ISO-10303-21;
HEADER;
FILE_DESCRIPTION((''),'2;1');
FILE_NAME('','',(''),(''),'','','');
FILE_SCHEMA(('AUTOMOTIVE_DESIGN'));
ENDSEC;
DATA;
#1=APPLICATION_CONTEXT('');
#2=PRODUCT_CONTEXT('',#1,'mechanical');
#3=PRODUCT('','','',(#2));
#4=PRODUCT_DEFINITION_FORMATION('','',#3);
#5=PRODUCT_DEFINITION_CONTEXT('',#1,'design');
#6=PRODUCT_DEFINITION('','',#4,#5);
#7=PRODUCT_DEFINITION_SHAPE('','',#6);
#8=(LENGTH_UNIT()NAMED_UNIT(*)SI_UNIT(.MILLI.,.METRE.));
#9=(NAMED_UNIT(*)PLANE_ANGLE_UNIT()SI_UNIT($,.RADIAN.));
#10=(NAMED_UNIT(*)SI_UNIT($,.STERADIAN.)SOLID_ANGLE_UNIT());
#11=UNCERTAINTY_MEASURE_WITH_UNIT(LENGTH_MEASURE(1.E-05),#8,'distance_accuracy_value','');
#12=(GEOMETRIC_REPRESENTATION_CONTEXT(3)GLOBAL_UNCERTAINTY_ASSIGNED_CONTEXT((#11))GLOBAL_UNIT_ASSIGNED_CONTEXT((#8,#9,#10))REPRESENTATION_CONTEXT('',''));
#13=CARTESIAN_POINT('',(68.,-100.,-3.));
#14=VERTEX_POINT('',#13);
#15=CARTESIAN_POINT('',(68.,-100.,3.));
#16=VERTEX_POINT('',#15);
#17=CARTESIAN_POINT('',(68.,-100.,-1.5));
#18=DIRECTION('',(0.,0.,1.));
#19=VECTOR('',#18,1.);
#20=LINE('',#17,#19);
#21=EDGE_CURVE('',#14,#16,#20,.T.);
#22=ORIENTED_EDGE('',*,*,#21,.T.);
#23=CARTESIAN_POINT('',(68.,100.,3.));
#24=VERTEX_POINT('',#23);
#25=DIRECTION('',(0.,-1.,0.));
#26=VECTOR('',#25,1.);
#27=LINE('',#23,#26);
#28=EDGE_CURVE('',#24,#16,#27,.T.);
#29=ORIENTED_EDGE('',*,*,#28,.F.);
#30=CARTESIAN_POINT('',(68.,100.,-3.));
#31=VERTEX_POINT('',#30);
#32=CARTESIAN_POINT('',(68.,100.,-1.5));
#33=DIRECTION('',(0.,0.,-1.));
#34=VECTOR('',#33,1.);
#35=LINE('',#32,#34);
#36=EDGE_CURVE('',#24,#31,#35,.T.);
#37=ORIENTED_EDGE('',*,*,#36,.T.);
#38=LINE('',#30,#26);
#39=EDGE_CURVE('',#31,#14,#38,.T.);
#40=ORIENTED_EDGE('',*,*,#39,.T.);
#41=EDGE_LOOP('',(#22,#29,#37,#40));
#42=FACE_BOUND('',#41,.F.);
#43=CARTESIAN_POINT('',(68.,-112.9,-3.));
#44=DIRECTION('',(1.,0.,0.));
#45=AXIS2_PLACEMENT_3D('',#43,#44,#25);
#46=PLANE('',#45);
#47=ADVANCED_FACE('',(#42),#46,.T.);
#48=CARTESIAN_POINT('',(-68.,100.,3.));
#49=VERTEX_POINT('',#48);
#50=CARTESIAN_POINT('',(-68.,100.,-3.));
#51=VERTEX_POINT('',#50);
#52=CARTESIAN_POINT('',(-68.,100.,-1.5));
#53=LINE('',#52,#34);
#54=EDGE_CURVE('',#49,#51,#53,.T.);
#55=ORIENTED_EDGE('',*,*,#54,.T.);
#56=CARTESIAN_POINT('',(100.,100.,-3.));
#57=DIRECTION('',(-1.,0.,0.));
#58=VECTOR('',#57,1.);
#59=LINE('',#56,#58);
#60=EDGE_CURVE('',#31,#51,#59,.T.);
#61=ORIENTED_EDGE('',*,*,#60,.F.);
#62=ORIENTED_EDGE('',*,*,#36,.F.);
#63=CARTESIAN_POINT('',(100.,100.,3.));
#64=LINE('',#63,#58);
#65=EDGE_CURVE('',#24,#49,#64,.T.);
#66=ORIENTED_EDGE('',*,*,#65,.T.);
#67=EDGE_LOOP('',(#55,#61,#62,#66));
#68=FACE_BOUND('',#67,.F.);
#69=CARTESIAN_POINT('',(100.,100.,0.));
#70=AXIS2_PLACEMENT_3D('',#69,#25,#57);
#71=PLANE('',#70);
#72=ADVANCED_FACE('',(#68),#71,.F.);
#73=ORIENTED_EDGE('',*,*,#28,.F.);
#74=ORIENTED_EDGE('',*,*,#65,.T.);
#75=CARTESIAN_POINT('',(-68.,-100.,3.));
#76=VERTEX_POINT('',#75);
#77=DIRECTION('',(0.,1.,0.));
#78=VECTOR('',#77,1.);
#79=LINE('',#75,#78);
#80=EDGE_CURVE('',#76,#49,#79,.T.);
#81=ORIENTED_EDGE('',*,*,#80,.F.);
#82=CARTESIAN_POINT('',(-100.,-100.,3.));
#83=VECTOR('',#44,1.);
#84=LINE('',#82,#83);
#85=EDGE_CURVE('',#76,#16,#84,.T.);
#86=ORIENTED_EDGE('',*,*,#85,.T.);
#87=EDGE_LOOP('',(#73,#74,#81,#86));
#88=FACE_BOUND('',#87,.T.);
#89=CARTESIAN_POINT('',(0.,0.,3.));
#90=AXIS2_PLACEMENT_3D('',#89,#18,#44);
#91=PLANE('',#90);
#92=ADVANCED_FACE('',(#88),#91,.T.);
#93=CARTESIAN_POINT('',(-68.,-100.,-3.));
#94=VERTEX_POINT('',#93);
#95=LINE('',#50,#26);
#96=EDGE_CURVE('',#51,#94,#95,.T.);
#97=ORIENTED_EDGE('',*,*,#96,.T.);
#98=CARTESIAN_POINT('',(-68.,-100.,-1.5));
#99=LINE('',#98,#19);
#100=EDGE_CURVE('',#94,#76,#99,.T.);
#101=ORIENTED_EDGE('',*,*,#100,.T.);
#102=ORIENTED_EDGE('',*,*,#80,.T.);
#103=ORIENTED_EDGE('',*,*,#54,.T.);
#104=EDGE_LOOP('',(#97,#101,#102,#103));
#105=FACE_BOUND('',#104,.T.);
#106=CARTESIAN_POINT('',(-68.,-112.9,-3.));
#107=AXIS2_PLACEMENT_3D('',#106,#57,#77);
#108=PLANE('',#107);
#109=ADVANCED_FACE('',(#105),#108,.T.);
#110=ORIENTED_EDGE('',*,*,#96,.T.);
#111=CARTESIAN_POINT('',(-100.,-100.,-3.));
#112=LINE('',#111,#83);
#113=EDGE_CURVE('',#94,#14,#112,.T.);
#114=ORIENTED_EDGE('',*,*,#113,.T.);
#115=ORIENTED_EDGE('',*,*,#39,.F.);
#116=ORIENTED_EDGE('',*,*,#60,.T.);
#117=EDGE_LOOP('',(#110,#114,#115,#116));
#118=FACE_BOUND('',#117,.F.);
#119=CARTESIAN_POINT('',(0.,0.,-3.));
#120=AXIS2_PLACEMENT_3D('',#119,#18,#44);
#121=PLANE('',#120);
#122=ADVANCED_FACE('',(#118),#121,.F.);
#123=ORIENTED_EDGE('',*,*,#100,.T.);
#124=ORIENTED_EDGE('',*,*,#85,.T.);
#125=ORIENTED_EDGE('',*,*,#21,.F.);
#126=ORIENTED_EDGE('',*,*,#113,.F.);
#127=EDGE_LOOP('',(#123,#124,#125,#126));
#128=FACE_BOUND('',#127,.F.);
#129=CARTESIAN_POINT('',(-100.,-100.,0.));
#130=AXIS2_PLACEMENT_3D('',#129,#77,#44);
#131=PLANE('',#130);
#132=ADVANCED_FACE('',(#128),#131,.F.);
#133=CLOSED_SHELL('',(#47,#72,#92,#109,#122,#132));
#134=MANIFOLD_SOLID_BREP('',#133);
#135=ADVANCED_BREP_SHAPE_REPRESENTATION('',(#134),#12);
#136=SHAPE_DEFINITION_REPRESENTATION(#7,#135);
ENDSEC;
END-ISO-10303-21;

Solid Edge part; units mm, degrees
sketch "Sketch1" plane through (0, 0, 0) normal (0, 0, 1) x (1, 0, 0)
  line L0 (-100, -100) -> (100, -100)
  line L1 (100, -100) -> (100, 100)
  line L2 (100, 100) -> (-100, 100)
  line L3 (-100, 100) -> (-100, -100)
  dimension "D1" = 200
  dimension "D2" = 200
extrude "Protrusion1" add sketch "Sketch1" along normal mid plane 6
sketch "Sketch2" plane through (0, 0, -3) normal (0, 0, -1) x (1, 0, 0)
  line L0 (-68, 112.9) -> (-68, 86.9)
extrude "Cutout1" cut sketch "Sketch2" against normal through all material side at (-68.05, -99.9, -3)
mirror "Mirror1" about plane through (0, 0, 0) normal (1, 0, 0) of "Cutout1"
